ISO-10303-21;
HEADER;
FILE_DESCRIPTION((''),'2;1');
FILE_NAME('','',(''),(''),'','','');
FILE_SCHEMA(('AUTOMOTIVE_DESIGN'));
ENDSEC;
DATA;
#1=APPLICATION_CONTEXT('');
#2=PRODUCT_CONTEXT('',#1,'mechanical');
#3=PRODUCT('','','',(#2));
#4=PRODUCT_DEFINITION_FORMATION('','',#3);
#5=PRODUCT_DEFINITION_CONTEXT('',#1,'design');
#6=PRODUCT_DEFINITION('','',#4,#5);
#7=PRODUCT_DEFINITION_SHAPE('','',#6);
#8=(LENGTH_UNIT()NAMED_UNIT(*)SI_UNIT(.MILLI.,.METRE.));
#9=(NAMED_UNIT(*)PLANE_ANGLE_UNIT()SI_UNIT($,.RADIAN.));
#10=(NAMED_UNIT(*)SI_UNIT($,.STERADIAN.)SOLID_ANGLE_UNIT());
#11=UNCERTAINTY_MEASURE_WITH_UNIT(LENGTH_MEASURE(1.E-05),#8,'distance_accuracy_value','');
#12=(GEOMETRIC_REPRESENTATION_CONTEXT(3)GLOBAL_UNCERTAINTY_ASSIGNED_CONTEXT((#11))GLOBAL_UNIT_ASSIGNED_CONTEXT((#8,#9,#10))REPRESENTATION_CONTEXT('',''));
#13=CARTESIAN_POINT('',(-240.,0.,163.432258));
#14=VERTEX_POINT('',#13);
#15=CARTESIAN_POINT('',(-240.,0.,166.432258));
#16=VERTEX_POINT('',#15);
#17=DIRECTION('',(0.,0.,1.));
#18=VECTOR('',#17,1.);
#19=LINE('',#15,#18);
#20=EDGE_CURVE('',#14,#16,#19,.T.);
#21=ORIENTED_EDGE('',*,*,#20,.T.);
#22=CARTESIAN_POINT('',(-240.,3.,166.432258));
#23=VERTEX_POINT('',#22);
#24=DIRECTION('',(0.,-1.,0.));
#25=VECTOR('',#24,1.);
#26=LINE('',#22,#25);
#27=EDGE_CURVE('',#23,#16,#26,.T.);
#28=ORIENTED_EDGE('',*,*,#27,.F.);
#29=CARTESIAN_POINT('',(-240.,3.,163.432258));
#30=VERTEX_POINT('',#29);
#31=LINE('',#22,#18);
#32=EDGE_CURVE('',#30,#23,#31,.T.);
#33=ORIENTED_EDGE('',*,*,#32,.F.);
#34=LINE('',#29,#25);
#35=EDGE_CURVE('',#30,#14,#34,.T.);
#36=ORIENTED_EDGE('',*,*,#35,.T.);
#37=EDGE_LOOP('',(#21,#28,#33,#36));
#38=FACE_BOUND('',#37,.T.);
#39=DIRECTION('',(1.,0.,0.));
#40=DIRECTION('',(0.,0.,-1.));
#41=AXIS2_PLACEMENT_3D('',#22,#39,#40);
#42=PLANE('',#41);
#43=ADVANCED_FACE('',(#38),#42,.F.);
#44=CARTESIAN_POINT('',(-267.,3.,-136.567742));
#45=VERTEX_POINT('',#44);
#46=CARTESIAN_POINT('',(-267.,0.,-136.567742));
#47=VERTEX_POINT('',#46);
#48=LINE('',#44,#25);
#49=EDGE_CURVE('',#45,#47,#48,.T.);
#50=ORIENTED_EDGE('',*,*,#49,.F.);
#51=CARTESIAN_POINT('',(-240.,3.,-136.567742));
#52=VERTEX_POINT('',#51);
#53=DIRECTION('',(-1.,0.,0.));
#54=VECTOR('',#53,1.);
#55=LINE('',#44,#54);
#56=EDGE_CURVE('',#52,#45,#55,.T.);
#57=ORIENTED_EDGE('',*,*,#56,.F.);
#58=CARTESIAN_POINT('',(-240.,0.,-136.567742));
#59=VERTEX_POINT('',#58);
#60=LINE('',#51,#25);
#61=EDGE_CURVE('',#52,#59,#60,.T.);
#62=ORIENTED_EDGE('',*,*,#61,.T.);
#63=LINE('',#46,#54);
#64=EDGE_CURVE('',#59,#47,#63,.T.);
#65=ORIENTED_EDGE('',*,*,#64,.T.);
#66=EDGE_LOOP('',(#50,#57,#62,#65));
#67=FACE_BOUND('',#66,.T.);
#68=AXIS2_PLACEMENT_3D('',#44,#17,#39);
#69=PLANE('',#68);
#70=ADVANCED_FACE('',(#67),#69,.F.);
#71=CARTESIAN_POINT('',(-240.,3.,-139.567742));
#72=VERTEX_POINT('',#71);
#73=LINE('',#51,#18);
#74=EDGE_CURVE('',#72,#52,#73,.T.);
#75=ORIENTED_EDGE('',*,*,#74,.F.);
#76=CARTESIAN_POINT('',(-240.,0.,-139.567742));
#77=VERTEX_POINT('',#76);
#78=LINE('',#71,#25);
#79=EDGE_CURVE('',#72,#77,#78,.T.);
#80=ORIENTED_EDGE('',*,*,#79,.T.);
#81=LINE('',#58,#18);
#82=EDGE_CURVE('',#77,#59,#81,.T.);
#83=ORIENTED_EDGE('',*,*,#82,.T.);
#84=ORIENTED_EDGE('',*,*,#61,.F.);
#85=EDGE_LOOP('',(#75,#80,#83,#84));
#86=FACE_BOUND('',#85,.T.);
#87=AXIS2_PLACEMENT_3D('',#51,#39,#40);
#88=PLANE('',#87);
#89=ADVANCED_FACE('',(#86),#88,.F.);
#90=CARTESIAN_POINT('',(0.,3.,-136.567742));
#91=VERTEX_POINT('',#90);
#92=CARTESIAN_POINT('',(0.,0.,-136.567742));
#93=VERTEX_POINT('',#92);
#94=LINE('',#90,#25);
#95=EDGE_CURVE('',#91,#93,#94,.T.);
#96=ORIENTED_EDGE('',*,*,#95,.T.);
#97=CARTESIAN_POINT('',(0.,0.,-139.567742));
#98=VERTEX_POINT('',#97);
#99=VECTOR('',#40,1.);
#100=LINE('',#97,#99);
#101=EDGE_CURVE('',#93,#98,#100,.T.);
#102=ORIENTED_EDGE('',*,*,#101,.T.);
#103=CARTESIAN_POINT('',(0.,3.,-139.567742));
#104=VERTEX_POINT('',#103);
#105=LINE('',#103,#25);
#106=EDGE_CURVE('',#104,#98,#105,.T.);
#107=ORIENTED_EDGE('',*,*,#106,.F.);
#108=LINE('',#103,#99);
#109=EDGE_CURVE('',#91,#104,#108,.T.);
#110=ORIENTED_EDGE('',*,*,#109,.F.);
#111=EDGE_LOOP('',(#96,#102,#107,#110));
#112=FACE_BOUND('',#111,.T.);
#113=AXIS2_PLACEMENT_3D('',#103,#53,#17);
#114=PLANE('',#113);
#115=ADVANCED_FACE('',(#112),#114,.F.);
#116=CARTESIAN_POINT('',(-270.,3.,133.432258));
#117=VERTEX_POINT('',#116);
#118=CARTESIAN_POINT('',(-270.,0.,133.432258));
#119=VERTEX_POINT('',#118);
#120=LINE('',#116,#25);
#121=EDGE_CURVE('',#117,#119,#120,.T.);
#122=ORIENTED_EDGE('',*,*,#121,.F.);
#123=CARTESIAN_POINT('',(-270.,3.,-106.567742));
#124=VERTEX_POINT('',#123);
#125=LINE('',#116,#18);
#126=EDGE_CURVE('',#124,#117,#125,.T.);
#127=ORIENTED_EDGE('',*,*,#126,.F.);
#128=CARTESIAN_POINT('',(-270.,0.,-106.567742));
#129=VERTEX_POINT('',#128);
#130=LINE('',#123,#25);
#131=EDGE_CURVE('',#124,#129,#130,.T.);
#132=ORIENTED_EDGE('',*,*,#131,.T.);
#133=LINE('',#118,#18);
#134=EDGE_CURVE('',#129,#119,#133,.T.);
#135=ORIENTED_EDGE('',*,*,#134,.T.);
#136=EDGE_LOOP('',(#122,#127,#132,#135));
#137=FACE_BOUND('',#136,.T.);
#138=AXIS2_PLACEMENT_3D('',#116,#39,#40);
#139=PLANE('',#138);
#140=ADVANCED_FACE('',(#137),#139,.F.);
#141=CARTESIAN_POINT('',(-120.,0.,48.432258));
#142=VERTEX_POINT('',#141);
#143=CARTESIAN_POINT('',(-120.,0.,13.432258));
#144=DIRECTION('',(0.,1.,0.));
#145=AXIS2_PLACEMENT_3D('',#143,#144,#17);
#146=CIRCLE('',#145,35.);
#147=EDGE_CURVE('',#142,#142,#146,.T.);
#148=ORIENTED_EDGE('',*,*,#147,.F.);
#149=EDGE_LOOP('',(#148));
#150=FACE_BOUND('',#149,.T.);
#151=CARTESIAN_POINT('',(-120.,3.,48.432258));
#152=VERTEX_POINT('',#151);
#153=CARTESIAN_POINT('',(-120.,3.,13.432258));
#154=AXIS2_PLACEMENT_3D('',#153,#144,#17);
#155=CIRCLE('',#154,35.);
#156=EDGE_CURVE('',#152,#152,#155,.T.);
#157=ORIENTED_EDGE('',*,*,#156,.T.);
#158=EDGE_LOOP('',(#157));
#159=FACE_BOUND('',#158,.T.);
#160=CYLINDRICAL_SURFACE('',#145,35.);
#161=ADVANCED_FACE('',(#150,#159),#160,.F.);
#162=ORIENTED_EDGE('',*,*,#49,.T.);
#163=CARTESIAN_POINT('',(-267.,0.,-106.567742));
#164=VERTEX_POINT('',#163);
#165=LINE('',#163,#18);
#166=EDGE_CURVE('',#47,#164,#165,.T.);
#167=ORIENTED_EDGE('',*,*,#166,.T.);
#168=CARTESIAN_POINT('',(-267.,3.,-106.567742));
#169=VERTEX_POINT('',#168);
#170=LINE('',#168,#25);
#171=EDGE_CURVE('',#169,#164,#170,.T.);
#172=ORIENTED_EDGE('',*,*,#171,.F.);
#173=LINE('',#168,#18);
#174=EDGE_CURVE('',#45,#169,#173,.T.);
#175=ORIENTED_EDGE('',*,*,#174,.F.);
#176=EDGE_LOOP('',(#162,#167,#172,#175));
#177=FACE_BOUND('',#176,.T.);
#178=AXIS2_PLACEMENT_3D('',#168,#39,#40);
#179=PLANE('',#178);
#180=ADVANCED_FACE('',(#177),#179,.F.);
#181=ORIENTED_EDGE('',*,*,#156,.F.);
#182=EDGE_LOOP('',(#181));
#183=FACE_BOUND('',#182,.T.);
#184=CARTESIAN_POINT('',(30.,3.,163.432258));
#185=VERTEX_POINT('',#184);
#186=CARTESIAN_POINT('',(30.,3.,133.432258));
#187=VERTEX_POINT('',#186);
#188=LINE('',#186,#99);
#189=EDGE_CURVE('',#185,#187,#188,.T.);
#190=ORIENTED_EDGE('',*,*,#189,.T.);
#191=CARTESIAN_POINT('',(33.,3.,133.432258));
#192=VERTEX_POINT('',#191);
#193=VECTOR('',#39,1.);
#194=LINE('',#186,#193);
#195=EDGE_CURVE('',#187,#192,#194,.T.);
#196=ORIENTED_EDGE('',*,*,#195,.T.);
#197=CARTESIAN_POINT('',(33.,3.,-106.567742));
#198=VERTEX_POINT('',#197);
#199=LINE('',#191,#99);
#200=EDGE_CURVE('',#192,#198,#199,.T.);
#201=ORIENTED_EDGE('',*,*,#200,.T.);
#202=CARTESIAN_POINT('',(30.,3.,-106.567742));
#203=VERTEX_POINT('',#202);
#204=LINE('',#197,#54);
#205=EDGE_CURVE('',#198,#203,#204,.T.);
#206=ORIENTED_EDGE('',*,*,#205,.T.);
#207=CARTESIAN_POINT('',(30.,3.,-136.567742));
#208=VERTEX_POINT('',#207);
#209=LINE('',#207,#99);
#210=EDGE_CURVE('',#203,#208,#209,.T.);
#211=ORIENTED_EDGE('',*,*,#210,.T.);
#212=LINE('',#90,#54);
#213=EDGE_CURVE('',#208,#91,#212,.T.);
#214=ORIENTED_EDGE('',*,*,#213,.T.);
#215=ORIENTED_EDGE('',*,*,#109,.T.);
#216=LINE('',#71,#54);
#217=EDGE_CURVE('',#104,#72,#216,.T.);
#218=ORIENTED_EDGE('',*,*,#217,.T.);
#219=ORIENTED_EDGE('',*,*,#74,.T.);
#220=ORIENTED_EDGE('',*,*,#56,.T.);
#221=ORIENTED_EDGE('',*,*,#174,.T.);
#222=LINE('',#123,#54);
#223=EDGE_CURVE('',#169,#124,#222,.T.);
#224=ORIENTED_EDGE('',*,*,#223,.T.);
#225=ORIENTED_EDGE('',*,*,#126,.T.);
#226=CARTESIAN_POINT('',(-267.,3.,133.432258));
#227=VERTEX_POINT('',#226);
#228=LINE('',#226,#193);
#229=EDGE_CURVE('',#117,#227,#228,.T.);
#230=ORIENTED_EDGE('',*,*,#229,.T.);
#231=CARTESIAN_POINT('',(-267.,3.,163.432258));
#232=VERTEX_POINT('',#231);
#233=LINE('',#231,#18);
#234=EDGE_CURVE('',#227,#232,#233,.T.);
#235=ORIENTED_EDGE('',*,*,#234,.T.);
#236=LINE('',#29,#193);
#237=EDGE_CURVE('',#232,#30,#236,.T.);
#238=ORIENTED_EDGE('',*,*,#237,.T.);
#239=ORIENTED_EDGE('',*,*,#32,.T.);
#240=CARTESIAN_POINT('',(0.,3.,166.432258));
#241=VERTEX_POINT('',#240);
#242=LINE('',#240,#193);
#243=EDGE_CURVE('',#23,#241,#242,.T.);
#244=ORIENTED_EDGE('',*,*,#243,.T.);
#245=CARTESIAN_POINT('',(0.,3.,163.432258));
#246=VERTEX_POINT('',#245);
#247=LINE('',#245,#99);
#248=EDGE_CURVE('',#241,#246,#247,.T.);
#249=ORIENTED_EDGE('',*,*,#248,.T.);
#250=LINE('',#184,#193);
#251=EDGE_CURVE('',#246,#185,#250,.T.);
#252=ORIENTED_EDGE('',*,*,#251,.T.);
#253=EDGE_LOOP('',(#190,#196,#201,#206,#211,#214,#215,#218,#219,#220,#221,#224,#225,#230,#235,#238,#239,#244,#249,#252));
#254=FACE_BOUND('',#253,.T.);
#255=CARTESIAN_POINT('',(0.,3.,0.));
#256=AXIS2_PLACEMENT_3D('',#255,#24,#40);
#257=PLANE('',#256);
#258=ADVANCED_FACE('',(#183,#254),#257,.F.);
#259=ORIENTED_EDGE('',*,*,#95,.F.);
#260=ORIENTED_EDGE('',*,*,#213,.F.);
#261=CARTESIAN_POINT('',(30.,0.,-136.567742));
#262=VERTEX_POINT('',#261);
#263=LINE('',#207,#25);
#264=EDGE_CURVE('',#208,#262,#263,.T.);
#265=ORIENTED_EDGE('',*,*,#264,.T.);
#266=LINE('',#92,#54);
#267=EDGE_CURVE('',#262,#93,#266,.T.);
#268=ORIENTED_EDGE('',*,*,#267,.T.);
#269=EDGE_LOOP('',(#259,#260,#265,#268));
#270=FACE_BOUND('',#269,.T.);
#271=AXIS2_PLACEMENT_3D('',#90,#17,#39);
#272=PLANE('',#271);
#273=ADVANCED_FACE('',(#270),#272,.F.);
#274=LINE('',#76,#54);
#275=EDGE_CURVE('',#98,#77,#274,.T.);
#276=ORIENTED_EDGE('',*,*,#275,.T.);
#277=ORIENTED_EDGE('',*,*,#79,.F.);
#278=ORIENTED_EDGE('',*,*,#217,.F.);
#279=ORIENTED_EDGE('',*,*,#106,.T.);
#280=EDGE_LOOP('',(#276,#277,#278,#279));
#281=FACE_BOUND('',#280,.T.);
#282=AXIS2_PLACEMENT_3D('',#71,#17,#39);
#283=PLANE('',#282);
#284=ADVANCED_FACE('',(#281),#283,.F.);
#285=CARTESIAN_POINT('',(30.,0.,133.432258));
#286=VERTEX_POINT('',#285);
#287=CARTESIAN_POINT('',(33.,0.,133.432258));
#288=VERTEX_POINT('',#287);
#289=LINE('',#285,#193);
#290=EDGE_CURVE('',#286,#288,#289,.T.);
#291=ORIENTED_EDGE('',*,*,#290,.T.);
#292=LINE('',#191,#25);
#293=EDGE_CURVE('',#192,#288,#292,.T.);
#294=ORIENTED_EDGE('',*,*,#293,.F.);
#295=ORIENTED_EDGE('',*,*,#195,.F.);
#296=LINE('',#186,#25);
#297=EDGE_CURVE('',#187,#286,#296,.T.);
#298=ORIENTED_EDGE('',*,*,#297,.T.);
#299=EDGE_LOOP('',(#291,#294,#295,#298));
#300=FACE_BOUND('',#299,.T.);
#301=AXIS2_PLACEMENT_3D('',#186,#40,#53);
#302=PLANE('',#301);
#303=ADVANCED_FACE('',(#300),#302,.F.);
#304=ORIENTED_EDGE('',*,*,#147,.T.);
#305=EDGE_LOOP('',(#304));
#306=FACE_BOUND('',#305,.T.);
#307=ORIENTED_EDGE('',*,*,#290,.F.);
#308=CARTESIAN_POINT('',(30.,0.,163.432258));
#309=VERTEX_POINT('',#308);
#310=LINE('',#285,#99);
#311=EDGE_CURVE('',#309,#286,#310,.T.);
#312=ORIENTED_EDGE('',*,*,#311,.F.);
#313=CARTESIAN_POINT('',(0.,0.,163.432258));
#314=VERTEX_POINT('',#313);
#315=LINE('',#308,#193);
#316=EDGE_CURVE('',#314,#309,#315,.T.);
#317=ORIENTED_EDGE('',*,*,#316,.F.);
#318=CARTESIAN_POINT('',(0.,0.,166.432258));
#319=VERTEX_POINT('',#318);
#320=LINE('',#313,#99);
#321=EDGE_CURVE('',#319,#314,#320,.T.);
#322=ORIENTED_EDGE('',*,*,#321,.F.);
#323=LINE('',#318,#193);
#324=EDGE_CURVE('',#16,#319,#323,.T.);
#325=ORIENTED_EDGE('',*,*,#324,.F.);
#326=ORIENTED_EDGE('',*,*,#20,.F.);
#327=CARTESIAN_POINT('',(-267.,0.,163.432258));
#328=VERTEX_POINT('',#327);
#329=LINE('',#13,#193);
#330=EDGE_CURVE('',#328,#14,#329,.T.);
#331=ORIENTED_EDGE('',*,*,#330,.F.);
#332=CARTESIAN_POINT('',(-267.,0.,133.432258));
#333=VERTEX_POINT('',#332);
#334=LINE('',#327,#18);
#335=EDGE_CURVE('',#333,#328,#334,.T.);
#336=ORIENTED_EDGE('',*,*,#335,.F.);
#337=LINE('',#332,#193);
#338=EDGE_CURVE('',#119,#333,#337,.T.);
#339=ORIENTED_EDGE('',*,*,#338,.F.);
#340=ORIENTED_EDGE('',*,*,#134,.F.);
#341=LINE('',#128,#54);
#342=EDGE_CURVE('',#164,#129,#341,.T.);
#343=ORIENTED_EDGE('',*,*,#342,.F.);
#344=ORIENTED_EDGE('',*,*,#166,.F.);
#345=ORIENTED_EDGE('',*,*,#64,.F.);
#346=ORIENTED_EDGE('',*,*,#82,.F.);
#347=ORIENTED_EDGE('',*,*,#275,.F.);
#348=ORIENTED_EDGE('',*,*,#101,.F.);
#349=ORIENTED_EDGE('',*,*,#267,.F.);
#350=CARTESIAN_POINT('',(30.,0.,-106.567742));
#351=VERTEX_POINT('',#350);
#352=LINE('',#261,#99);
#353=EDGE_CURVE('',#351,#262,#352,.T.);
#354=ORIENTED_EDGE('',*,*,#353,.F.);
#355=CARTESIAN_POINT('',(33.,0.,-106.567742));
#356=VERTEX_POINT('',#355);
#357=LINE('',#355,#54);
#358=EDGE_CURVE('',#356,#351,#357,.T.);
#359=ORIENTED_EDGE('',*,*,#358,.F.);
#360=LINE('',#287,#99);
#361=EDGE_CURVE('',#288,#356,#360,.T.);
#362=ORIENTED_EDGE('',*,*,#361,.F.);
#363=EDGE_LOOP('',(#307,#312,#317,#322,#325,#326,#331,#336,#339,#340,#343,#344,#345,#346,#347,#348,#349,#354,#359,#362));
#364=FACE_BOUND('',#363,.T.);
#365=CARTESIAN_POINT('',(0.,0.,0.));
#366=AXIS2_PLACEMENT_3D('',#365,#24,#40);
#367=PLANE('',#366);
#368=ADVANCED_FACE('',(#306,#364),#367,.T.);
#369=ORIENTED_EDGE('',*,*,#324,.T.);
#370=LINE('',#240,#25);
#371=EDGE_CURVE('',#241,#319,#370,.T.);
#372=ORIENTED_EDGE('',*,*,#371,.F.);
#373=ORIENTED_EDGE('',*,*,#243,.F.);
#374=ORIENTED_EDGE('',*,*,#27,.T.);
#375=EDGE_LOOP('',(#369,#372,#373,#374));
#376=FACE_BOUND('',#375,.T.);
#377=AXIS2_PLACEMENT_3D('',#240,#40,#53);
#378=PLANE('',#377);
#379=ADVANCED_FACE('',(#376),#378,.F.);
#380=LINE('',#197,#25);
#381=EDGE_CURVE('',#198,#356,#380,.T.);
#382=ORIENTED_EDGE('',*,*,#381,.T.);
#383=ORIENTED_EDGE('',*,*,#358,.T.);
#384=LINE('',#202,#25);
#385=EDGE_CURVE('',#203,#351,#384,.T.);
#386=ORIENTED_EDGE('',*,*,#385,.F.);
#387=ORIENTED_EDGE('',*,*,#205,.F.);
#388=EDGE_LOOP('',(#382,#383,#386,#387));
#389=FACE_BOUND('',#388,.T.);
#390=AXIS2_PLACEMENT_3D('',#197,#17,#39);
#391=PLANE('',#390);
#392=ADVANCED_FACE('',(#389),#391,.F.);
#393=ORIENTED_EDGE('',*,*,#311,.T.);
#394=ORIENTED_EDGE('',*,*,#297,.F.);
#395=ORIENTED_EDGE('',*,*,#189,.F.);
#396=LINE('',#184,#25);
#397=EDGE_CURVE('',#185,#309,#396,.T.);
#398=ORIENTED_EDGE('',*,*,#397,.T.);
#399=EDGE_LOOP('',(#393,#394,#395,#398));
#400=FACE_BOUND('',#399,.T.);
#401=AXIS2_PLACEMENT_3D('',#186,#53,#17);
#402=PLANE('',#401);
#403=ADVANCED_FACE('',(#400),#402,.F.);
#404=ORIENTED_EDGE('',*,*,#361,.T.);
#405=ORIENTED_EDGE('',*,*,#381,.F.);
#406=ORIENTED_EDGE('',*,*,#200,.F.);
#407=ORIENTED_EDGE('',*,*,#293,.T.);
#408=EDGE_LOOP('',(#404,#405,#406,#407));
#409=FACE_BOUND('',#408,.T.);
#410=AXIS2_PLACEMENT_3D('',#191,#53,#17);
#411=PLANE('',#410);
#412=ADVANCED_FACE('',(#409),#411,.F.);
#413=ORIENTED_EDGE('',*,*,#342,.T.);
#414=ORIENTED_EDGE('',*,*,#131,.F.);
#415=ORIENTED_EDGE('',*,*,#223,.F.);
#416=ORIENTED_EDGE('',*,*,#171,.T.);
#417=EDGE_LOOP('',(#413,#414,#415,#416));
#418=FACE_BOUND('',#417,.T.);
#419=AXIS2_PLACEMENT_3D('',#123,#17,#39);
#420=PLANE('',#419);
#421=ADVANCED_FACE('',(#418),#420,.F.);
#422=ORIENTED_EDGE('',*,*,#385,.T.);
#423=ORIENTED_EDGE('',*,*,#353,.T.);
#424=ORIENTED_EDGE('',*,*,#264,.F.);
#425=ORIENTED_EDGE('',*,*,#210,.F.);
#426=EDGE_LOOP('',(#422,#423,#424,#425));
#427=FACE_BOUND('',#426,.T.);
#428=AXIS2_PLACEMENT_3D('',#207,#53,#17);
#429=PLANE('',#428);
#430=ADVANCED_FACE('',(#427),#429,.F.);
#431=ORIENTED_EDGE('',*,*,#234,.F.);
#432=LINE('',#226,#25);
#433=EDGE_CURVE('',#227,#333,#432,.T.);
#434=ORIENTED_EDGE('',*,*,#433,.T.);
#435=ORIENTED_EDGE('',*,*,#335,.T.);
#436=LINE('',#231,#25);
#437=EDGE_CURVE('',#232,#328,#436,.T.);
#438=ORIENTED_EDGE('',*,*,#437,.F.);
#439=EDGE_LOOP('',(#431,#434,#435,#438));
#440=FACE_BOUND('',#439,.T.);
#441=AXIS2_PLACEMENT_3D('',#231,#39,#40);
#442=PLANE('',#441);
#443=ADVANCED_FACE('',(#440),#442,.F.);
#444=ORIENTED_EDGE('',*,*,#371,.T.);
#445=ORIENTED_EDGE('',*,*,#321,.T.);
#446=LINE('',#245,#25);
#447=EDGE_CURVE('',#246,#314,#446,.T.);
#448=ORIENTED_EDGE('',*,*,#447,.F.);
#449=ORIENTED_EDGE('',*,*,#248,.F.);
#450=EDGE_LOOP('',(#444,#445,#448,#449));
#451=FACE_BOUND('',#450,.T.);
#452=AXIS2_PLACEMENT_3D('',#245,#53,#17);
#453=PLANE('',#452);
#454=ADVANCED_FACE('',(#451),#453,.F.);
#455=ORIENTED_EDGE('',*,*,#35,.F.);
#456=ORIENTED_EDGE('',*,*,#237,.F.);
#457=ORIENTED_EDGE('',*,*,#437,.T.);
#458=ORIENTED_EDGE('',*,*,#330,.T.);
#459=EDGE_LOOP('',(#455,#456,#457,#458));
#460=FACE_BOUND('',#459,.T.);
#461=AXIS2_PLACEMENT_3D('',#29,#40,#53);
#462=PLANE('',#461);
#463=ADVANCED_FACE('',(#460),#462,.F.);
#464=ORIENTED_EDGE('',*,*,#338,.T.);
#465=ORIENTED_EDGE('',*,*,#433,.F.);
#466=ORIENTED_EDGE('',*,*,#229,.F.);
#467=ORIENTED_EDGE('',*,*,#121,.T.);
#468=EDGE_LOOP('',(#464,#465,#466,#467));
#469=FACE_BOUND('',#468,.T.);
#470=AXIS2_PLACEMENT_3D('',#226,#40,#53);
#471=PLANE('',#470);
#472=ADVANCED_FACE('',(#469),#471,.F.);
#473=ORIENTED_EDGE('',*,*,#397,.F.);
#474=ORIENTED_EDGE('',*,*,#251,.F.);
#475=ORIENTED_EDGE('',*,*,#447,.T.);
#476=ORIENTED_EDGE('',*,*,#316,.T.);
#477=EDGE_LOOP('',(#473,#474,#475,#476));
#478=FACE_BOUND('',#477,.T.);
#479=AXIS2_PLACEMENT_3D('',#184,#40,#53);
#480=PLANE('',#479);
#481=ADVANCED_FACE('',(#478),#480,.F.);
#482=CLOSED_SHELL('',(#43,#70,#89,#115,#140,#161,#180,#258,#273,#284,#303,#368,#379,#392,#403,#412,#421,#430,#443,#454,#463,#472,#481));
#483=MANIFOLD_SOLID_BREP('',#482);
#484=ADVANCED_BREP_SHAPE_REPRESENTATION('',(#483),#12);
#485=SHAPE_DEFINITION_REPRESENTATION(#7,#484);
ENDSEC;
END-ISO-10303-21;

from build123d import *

# Parameters (mm, degrees)
BOSS_EXTRUDE1_DEPTH = 3
SKETCH2_R           = 35
CUT_EXTRUDE1_DEPTH  = 3


with BuildPart() as part:
    # Sketch1 → Boss-Extrude1 (new body)
    with BuildSketch(Plane(origin=(0, 0, 0), x_dir=(1, 0, 0), z_dir=(0, 1, 0))):
        Polygon((-267, 136.567741935), (-240, 136.567741935), (-240, 139.567741935), (0, 139.567741935), (0, 136.567741935), (30, 136.567741935), (30, 106.567741935), (33, 106.567741935), (33, -133.432258065), (30, -133.432258065), (30, -163.432258065), (0, -163.432258065), (0, -166.432258065), (-240, -166.432258065), (-240, -163.432258065), (-267, -163.432258065), (-267, -133.432258065), (-270, -133.432258065), (-270, 106.567741935), (-267, 106.567741935), align=None)
    extrude(amount=BOSS_EXTRUDE1_DEPTH)

    # Sketch2 → Cut-Extrude1 (cut)
    with BuildSketch(Plane(origin=(0, 3, 0), x_dir=(1, 0, 0), z_dir=(0, 1, 0))):
        with Locations(Location((-120, -13.432258065, 0), (0, 0, 270))):
            Circle(SKETCH2_R)
    extrude(amount=-CUT_EXTRUDE1_DEPTH, mode=Mode.SUBTRACT)


solid = part.part
